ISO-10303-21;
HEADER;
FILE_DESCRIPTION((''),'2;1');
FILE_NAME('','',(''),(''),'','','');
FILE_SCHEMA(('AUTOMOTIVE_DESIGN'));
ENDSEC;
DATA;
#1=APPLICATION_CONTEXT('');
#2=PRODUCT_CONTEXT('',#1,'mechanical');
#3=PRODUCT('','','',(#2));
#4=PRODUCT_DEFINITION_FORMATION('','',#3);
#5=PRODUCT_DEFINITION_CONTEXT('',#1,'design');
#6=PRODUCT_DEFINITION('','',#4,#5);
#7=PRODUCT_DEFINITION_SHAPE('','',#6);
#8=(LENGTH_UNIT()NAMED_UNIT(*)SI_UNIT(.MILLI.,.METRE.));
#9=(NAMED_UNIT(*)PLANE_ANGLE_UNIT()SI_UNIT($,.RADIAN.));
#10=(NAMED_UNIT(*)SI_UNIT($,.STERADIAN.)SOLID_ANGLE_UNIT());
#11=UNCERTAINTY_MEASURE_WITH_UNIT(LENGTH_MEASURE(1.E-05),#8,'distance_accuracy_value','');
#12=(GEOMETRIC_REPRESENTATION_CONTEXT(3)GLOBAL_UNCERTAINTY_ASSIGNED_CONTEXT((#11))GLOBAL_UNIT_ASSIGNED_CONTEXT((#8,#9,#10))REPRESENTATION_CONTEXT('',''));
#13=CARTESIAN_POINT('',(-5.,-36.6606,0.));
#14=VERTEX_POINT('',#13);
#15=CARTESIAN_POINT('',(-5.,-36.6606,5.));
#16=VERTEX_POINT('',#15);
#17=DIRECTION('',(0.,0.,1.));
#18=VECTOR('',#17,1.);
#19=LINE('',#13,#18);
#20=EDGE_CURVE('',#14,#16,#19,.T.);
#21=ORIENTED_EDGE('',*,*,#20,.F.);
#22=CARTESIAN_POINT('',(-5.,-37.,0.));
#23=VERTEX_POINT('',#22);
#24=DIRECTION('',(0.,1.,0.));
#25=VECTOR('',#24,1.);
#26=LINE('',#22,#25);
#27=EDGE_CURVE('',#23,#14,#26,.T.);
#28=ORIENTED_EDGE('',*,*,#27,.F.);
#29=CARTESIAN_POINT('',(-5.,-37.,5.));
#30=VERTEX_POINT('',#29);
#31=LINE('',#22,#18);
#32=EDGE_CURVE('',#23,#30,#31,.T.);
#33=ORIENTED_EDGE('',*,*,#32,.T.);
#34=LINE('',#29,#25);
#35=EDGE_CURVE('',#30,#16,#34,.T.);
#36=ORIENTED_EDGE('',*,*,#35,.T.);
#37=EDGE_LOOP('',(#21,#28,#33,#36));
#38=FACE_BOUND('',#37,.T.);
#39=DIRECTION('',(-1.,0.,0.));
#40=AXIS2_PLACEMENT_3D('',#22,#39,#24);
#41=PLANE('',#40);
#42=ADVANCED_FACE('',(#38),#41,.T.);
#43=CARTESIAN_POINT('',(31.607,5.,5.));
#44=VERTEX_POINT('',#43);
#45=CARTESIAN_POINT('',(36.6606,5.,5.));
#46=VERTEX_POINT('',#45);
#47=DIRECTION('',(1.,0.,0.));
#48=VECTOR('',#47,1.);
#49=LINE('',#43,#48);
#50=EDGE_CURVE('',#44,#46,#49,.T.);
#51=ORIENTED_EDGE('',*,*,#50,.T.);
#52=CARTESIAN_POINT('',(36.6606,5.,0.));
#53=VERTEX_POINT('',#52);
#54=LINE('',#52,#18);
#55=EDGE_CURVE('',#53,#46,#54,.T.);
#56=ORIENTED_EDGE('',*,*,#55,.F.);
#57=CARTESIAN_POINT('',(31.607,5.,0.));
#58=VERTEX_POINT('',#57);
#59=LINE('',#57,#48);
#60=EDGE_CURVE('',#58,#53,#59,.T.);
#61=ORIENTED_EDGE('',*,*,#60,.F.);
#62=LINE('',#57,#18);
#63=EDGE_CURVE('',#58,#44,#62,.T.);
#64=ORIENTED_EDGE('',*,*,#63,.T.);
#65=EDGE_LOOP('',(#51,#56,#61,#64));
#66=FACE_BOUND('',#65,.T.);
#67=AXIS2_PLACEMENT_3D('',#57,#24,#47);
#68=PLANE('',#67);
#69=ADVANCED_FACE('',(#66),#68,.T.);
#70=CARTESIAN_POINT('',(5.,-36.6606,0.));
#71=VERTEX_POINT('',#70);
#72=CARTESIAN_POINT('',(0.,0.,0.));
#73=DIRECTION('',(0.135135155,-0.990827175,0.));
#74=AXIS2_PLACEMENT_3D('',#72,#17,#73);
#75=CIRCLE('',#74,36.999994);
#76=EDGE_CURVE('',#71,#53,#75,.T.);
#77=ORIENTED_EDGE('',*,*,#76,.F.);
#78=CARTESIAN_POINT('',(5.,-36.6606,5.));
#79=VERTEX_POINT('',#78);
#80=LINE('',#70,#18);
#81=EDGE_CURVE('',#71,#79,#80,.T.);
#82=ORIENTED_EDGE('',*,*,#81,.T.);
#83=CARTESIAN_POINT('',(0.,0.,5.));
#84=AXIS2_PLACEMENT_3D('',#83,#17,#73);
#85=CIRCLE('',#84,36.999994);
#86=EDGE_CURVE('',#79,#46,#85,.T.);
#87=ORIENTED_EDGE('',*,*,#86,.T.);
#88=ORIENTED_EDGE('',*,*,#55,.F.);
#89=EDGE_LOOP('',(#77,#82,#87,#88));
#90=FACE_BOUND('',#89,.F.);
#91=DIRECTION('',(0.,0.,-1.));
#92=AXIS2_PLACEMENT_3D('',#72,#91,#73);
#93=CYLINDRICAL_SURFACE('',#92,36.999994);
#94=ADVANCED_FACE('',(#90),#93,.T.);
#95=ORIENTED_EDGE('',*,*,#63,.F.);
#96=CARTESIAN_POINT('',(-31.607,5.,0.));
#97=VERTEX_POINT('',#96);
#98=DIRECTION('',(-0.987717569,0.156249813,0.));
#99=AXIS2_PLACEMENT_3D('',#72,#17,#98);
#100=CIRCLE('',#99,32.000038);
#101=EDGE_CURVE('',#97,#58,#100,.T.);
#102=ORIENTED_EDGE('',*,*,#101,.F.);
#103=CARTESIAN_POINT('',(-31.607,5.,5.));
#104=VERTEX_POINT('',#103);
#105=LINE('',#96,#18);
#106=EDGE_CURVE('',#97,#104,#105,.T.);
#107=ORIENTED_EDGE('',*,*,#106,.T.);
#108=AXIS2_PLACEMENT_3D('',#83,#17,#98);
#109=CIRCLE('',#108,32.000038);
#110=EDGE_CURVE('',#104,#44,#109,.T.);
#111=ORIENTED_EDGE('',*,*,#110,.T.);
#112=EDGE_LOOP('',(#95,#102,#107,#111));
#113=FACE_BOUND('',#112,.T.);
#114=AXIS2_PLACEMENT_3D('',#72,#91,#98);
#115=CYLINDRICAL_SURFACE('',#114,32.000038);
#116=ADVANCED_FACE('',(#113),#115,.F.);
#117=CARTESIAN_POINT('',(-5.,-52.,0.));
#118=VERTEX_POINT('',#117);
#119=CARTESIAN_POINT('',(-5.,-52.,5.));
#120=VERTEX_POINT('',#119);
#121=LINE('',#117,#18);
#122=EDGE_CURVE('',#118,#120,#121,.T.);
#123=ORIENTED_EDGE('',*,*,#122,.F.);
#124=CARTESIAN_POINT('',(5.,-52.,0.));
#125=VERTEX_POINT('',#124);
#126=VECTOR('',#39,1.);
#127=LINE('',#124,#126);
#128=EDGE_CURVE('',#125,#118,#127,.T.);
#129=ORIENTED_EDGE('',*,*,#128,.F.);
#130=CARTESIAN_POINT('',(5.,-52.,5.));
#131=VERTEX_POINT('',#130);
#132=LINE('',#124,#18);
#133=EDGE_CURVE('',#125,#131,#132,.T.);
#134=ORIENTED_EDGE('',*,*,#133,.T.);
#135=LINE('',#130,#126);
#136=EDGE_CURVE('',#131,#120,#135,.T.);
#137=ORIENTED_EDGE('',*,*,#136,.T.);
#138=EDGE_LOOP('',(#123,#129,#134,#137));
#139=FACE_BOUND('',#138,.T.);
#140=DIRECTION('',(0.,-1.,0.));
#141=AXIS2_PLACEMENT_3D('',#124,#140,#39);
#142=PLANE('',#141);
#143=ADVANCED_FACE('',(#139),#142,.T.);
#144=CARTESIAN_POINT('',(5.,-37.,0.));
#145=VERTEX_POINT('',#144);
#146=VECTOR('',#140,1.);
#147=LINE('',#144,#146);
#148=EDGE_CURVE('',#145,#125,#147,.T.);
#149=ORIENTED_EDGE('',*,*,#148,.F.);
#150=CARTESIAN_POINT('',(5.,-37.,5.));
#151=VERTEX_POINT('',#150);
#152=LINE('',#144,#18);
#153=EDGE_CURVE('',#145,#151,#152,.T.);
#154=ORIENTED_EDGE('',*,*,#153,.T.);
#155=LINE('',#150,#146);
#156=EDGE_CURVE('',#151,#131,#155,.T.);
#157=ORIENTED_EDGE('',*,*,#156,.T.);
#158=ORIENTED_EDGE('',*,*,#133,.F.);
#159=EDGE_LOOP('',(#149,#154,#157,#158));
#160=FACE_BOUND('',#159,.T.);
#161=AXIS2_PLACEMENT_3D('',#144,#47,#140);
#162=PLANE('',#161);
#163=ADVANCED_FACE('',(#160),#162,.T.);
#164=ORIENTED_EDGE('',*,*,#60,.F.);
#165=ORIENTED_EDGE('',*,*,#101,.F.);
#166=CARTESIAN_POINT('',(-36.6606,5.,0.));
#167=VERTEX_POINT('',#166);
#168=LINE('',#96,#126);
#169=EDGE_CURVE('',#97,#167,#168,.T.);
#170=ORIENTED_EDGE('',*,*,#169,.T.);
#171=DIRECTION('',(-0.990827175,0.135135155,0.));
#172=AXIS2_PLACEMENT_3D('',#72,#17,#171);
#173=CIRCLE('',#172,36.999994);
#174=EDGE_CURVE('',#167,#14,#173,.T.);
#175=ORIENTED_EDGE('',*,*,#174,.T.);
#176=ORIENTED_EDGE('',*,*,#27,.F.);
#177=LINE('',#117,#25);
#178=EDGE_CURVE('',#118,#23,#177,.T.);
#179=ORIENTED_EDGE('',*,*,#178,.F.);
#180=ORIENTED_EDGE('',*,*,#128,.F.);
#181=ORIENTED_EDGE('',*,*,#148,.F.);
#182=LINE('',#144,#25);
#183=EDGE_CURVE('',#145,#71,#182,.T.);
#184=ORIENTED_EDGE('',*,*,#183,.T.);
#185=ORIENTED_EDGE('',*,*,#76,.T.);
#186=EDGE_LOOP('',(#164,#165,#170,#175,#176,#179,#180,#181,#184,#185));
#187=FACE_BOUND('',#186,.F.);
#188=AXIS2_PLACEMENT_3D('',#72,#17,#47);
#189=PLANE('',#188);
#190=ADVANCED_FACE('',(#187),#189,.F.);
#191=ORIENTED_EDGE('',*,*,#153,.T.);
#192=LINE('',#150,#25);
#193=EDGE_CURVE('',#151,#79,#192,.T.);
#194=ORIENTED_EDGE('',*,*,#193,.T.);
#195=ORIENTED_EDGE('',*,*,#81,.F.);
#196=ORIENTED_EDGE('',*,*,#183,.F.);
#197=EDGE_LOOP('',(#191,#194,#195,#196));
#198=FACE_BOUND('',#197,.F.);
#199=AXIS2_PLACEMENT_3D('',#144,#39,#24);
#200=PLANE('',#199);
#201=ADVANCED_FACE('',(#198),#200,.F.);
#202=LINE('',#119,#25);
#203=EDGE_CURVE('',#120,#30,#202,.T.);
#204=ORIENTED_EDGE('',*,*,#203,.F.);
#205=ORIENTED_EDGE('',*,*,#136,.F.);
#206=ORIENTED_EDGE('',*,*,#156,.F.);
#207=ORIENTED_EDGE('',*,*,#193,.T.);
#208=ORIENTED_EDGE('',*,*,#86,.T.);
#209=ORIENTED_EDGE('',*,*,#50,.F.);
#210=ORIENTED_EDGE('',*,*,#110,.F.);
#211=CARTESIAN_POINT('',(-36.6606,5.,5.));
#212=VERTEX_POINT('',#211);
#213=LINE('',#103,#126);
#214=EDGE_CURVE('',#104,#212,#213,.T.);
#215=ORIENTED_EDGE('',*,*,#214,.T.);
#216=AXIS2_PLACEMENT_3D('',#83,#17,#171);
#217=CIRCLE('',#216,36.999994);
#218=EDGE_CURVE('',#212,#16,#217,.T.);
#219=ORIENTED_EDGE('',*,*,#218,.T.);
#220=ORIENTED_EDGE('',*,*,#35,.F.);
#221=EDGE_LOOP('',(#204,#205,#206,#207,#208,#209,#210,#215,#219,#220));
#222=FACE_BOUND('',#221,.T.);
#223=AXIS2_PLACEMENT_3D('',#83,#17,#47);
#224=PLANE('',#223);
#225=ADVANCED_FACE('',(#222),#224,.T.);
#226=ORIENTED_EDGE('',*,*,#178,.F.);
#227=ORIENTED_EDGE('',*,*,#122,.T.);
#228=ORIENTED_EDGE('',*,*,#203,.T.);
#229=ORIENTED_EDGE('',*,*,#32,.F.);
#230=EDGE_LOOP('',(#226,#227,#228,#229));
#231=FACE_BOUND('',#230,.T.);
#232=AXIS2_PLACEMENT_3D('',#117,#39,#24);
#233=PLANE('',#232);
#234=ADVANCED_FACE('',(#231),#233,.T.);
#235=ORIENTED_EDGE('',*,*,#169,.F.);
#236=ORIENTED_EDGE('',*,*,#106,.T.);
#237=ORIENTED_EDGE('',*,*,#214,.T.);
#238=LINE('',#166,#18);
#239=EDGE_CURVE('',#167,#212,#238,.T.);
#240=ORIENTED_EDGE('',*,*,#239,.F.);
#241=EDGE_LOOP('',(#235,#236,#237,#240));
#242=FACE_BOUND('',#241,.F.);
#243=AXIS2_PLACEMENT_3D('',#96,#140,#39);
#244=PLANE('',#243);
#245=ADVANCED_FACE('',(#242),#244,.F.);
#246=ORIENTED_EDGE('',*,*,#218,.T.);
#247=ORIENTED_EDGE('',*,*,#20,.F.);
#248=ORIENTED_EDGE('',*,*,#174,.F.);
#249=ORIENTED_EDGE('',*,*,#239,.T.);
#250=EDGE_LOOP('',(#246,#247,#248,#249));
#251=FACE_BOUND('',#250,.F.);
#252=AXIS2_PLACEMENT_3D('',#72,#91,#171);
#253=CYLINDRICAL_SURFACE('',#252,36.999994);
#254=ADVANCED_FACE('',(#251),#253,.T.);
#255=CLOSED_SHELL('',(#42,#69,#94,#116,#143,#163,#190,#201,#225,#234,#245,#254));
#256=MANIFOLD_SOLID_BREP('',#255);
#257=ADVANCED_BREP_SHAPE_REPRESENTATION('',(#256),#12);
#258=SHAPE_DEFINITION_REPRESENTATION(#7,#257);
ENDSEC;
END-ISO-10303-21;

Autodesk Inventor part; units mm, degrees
ref_plane "YZ Plane" through (0, 0, 0) normal (1, 0, 0) x (0, 1, 0)
ref_plane "XZ Plane" through (0, 0, 0) normal (0, 1, 0) x (-1, 0, 0)
ref_plane "XY Plane" through (0, 0, 0) normal (0, 0, 1) x (1, 0, 0)
sketch "Sketch1" plane through (0, 0, 0) normal (0, 0, 1) x (1, 0, 0)
  arc A0 (-31.607, 5) -> (31.607, 5) centre (0, 0) ccw
  line L0 (-31.607, 5) -> (-36.6606, 5)
  line L1 (31.607, 5) -> (36.6606, 5)
  line L2 (31.607, 5) -> (36.6606, 5) construction
  line L3 (5, -37) -> (5, -52)
  line L4 (5, -52) -> (-5, -52)
  line L5 (-5, -52) -> (-5, -37)
  line L6 (-5, -37) -> (-5, -36.6606)
  line L7 (5, -37) -> (5, -36.6606)
  arc A1 (-36.6606, 5) -> (-5, -36.6606) centre (0, 0) ccw
  arc A2 (5, -36.6606) -> (36.6606, 5) centre (0, 0) ccw
  dimension "d0" = 64
  dimension "d5" = 10
  dimension "d6" = 15
extrude "Extrusion1" add sketch "Sketch1" along normal blind 5
properties part number "Clip_TestFitV1"
